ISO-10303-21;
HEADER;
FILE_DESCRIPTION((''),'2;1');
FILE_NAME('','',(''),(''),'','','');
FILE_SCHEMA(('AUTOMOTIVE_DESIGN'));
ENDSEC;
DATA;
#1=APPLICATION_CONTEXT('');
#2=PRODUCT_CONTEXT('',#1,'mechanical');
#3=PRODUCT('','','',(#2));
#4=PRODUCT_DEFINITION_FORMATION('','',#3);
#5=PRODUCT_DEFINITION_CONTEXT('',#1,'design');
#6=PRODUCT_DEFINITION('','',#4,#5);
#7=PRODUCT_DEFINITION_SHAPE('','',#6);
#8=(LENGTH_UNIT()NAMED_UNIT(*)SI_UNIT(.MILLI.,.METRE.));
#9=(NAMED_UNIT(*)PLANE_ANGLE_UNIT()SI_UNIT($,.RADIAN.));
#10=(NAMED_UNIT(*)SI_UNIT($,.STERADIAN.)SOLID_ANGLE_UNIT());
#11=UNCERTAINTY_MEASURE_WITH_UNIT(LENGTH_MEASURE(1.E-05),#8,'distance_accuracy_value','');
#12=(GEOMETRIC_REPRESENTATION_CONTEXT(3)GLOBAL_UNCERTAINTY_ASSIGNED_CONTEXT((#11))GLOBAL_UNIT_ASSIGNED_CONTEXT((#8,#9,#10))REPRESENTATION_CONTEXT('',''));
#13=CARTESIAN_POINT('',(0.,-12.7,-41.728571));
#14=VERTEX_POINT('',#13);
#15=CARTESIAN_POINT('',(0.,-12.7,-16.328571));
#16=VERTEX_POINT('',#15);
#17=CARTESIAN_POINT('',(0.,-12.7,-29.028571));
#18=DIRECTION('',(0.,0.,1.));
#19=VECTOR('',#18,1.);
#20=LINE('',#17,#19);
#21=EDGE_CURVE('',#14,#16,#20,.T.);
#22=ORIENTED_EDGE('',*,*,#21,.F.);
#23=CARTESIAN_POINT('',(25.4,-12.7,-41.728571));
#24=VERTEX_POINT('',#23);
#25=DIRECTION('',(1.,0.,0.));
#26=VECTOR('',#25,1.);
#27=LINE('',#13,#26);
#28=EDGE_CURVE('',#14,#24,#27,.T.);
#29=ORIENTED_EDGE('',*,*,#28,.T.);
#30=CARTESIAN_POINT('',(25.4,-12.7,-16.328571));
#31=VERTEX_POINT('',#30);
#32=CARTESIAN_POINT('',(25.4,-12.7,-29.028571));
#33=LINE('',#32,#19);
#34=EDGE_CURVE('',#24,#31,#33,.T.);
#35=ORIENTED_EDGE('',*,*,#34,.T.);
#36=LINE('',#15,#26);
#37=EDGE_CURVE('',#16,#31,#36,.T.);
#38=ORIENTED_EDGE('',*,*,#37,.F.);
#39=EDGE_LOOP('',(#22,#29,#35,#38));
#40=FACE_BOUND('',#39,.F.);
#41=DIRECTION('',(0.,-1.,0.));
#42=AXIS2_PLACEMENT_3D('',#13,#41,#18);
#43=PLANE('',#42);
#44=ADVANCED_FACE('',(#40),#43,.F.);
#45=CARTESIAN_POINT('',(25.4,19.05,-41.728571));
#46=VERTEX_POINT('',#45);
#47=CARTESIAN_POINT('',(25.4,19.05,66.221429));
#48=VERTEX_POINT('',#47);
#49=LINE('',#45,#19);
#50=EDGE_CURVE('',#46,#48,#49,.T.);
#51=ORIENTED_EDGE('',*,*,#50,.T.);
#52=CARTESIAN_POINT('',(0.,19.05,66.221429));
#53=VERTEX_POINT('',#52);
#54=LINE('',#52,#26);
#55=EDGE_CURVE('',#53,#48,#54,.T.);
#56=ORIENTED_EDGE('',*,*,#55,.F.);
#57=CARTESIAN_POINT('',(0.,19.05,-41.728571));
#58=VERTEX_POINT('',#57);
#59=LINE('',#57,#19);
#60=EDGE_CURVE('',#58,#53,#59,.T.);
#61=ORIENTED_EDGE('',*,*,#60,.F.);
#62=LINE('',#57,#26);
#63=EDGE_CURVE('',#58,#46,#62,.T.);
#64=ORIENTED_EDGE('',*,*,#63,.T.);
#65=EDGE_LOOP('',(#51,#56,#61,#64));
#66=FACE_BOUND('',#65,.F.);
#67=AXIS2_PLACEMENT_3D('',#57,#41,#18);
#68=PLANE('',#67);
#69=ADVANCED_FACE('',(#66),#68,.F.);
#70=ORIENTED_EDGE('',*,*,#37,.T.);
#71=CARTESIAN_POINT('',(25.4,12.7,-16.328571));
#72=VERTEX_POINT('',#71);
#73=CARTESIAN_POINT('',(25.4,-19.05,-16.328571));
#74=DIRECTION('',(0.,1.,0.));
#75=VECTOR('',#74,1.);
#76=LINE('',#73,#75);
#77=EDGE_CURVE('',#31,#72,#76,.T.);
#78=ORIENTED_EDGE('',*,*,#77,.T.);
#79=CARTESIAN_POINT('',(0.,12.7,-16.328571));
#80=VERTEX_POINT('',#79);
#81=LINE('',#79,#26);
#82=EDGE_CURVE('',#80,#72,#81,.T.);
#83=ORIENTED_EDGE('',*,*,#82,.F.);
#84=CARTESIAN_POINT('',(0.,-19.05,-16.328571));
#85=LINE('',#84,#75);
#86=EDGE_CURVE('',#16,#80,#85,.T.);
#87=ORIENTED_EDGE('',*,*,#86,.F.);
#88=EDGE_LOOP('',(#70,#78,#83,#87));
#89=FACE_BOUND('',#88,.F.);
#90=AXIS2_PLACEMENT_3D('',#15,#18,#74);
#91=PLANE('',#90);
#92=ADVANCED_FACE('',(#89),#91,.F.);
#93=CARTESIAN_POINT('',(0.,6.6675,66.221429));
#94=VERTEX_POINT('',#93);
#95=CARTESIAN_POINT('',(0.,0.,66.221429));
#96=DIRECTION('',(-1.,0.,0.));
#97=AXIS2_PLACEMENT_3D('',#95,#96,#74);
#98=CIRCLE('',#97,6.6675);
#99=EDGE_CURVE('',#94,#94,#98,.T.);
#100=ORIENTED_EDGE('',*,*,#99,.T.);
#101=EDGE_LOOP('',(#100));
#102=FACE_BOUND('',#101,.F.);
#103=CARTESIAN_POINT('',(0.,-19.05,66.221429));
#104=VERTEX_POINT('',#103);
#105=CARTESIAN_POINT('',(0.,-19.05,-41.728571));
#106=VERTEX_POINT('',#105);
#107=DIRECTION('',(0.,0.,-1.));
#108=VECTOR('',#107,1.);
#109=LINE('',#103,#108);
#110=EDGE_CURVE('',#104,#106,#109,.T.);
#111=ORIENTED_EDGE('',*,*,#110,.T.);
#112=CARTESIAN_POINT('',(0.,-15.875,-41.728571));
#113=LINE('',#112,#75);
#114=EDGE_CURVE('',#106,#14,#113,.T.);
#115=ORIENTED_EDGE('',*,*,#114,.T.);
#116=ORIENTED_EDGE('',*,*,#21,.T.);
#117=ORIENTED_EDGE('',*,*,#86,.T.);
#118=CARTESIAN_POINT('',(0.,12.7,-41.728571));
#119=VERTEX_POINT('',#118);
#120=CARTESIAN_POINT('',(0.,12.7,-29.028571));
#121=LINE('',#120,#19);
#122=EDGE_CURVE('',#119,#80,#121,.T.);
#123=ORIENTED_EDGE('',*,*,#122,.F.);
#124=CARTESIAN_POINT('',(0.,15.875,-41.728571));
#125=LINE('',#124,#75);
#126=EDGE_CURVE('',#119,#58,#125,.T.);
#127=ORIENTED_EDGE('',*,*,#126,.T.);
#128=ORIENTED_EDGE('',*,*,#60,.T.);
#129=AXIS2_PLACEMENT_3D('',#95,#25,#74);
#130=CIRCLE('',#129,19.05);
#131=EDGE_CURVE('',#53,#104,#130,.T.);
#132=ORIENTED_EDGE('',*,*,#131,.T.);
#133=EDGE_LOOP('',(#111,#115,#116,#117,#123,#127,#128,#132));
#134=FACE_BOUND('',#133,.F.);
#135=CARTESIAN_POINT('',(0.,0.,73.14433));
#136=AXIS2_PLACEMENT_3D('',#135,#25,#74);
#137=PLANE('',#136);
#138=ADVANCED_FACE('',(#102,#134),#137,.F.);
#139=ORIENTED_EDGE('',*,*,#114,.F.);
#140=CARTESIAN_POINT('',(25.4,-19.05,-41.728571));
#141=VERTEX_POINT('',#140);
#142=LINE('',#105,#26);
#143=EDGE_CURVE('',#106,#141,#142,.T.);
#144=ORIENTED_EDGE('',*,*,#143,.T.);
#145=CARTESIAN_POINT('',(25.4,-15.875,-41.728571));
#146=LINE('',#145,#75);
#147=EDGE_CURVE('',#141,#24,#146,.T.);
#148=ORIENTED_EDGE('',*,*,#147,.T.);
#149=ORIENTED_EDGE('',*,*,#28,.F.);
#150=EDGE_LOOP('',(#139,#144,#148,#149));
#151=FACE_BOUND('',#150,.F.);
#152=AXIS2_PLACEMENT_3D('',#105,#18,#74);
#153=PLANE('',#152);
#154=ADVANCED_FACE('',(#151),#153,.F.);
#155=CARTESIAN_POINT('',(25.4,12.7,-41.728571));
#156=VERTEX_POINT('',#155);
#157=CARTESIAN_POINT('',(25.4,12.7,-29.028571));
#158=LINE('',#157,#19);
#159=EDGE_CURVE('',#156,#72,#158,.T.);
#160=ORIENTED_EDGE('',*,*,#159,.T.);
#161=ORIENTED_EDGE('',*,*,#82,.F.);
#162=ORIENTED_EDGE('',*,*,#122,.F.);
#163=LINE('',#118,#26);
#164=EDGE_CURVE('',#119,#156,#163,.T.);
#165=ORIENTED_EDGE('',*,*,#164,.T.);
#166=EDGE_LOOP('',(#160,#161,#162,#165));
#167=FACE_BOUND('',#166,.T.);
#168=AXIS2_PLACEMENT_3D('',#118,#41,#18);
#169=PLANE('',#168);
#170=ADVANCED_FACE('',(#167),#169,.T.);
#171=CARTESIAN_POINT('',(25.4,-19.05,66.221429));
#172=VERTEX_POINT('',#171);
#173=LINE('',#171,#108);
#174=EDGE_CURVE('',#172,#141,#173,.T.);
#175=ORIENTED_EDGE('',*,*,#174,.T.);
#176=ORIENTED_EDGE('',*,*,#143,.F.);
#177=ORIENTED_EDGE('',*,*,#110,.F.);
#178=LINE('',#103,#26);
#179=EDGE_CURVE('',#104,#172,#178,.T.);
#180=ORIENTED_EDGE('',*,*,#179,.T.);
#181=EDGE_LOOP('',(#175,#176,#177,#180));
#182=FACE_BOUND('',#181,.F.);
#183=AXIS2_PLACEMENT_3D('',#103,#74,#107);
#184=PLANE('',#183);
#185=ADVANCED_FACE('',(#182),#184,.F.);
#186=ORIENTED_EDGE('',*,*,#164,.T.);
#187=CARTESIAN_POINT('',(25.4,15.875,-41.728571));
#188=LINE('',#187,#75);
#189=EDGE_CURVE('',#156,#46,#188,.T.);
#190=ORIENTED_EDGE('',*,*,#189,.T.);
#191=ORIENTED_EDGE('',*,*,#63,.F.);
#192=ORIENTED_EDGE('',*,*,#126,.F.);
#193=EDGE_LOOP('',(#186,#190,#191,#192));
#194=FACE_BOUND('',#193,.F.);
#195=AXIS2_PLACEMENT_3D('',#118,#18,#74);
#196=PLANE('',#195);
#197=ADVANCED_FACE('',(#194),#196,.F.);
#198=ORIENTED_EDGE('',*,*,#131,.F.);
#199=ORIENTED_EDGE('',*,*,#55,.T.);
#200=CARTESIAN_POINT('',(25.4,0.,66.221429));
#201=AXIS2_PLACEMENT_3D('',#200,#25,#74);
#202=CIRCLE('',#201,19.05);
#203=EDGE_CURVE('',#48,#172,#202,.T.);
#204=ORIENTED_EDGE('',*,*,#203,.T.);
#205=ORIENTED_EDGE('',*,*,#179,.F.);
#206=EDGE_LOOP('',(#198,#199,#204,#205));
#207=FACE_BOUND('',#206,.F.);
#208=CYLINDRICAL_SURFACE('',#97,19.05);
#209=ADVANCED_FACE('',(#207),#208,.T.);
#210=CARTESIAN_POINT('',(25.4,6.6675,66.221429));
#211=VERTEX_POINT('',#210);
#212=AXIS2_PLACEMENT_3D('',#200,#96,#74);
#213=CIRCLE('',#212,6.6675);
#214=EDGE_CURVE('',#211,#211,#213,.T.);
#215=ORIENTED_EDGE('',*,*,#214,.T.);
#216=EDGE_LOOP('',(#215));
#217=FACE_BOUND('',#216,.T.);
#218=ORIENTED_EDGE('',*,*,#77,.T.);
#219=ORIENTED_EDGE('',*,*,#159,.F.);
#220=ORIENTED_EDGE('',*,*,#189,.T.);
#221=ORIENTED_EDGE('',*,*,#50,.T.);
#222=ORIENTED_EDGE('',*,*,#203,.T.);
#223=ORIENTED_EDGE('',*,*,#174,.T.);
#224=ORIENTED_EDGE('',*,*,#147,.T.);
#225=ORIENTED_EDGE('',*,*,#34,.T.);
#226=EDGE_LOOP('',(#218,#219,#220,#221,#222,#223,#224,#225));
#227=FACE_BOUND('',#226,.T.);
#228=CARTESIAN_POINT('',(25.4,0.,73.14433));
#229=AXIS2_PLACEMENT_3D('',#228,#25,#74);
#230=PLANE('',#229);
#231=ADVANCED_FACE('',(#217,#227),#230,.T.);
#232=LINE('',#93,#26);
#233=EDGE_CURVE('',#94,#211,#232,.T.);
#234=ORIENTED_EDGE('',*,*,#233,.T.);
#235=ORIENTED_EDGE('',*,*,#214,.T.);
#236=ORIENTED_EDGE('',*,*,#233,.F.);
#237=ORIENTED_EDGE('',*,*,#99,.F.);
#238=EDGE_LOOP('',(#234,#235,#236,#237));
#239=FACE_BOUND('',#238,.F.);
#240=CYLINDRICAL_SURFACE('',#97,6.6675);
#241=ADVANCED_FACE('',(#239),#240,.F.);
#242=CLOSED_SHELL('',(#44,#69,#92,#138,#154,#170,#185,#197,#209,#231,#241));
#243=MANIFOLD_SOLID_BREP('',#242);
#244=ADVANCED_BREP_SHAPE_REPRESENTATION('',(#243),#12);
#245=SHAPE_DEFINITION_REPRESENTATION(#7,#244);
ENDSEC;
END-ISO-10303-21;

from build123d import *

# Parameters (mm, degrees)
F0_W     = 6.35
F0_H     = 25.4
F1_DEPTH = 25.4


with BuildPart() as f1:
    # F0 (on Right) → F1 (new body)
    with BuildSketch(Plane.YZ):
        with BuildLine():
            Line((6.6675, 66.2214285714), (19.05, 66.2214285714))
            ThreePointArc((19.05, 66.2214285714), (0, 85.2714285714), (-19.05, 66.2214285714))
            Line((-19.05, 66.2214285714), (-6.6675, 66.2214285714))
            ThreePointArc((-6.6675, 66.2214285714), (0, 72.8889285714), (6.6675, 66.2214285714))
        make_face()
        with BuildLine():
            Line((19.05, -16.3285714286), (19.05, 66.2214285714))
            ThreePointArc((19.05, 66.2214285714), (0, 47.1714285714), (-19.05, 66.2214285714))
            Line((-19.05, 66.2214285714), (-19.05, -16.3285714286))
            Line((-19.05, -16.3285714286), (-12.7, -16.3285714286))
            Line((-12.7, -16.3285714286), (12.7, -16.3285714286))
            Line((12.7, -16.3285714286), (19.05, -16.3285714286))
        make_face()
        with BuildLine():
            ThreePointArc((-19.05, 66.2214285714), (0, 47.1714285714), (19.05, 66.2214285714))
            Line((19.05, 66.2214285714), (6.6675, 66.2214285714))
            ThreePointArc((6.6675, 66.2214285714), (0, 59.5539285714), (-6.6675, 66.2214285714))
            Line((-6.6675, 66.2214285714), (-19.05, 66.2214285714))
        make_face()
        with Locations((15.875, -29.0285714286)):
            Rectangle(F0_W, F0_H)
        with Locations((-15.875, -29.0285714286)):
            Rectangle(F0_W, F0_H)
    extrude(amount=F1_DEPTH)


solid = f1.part
